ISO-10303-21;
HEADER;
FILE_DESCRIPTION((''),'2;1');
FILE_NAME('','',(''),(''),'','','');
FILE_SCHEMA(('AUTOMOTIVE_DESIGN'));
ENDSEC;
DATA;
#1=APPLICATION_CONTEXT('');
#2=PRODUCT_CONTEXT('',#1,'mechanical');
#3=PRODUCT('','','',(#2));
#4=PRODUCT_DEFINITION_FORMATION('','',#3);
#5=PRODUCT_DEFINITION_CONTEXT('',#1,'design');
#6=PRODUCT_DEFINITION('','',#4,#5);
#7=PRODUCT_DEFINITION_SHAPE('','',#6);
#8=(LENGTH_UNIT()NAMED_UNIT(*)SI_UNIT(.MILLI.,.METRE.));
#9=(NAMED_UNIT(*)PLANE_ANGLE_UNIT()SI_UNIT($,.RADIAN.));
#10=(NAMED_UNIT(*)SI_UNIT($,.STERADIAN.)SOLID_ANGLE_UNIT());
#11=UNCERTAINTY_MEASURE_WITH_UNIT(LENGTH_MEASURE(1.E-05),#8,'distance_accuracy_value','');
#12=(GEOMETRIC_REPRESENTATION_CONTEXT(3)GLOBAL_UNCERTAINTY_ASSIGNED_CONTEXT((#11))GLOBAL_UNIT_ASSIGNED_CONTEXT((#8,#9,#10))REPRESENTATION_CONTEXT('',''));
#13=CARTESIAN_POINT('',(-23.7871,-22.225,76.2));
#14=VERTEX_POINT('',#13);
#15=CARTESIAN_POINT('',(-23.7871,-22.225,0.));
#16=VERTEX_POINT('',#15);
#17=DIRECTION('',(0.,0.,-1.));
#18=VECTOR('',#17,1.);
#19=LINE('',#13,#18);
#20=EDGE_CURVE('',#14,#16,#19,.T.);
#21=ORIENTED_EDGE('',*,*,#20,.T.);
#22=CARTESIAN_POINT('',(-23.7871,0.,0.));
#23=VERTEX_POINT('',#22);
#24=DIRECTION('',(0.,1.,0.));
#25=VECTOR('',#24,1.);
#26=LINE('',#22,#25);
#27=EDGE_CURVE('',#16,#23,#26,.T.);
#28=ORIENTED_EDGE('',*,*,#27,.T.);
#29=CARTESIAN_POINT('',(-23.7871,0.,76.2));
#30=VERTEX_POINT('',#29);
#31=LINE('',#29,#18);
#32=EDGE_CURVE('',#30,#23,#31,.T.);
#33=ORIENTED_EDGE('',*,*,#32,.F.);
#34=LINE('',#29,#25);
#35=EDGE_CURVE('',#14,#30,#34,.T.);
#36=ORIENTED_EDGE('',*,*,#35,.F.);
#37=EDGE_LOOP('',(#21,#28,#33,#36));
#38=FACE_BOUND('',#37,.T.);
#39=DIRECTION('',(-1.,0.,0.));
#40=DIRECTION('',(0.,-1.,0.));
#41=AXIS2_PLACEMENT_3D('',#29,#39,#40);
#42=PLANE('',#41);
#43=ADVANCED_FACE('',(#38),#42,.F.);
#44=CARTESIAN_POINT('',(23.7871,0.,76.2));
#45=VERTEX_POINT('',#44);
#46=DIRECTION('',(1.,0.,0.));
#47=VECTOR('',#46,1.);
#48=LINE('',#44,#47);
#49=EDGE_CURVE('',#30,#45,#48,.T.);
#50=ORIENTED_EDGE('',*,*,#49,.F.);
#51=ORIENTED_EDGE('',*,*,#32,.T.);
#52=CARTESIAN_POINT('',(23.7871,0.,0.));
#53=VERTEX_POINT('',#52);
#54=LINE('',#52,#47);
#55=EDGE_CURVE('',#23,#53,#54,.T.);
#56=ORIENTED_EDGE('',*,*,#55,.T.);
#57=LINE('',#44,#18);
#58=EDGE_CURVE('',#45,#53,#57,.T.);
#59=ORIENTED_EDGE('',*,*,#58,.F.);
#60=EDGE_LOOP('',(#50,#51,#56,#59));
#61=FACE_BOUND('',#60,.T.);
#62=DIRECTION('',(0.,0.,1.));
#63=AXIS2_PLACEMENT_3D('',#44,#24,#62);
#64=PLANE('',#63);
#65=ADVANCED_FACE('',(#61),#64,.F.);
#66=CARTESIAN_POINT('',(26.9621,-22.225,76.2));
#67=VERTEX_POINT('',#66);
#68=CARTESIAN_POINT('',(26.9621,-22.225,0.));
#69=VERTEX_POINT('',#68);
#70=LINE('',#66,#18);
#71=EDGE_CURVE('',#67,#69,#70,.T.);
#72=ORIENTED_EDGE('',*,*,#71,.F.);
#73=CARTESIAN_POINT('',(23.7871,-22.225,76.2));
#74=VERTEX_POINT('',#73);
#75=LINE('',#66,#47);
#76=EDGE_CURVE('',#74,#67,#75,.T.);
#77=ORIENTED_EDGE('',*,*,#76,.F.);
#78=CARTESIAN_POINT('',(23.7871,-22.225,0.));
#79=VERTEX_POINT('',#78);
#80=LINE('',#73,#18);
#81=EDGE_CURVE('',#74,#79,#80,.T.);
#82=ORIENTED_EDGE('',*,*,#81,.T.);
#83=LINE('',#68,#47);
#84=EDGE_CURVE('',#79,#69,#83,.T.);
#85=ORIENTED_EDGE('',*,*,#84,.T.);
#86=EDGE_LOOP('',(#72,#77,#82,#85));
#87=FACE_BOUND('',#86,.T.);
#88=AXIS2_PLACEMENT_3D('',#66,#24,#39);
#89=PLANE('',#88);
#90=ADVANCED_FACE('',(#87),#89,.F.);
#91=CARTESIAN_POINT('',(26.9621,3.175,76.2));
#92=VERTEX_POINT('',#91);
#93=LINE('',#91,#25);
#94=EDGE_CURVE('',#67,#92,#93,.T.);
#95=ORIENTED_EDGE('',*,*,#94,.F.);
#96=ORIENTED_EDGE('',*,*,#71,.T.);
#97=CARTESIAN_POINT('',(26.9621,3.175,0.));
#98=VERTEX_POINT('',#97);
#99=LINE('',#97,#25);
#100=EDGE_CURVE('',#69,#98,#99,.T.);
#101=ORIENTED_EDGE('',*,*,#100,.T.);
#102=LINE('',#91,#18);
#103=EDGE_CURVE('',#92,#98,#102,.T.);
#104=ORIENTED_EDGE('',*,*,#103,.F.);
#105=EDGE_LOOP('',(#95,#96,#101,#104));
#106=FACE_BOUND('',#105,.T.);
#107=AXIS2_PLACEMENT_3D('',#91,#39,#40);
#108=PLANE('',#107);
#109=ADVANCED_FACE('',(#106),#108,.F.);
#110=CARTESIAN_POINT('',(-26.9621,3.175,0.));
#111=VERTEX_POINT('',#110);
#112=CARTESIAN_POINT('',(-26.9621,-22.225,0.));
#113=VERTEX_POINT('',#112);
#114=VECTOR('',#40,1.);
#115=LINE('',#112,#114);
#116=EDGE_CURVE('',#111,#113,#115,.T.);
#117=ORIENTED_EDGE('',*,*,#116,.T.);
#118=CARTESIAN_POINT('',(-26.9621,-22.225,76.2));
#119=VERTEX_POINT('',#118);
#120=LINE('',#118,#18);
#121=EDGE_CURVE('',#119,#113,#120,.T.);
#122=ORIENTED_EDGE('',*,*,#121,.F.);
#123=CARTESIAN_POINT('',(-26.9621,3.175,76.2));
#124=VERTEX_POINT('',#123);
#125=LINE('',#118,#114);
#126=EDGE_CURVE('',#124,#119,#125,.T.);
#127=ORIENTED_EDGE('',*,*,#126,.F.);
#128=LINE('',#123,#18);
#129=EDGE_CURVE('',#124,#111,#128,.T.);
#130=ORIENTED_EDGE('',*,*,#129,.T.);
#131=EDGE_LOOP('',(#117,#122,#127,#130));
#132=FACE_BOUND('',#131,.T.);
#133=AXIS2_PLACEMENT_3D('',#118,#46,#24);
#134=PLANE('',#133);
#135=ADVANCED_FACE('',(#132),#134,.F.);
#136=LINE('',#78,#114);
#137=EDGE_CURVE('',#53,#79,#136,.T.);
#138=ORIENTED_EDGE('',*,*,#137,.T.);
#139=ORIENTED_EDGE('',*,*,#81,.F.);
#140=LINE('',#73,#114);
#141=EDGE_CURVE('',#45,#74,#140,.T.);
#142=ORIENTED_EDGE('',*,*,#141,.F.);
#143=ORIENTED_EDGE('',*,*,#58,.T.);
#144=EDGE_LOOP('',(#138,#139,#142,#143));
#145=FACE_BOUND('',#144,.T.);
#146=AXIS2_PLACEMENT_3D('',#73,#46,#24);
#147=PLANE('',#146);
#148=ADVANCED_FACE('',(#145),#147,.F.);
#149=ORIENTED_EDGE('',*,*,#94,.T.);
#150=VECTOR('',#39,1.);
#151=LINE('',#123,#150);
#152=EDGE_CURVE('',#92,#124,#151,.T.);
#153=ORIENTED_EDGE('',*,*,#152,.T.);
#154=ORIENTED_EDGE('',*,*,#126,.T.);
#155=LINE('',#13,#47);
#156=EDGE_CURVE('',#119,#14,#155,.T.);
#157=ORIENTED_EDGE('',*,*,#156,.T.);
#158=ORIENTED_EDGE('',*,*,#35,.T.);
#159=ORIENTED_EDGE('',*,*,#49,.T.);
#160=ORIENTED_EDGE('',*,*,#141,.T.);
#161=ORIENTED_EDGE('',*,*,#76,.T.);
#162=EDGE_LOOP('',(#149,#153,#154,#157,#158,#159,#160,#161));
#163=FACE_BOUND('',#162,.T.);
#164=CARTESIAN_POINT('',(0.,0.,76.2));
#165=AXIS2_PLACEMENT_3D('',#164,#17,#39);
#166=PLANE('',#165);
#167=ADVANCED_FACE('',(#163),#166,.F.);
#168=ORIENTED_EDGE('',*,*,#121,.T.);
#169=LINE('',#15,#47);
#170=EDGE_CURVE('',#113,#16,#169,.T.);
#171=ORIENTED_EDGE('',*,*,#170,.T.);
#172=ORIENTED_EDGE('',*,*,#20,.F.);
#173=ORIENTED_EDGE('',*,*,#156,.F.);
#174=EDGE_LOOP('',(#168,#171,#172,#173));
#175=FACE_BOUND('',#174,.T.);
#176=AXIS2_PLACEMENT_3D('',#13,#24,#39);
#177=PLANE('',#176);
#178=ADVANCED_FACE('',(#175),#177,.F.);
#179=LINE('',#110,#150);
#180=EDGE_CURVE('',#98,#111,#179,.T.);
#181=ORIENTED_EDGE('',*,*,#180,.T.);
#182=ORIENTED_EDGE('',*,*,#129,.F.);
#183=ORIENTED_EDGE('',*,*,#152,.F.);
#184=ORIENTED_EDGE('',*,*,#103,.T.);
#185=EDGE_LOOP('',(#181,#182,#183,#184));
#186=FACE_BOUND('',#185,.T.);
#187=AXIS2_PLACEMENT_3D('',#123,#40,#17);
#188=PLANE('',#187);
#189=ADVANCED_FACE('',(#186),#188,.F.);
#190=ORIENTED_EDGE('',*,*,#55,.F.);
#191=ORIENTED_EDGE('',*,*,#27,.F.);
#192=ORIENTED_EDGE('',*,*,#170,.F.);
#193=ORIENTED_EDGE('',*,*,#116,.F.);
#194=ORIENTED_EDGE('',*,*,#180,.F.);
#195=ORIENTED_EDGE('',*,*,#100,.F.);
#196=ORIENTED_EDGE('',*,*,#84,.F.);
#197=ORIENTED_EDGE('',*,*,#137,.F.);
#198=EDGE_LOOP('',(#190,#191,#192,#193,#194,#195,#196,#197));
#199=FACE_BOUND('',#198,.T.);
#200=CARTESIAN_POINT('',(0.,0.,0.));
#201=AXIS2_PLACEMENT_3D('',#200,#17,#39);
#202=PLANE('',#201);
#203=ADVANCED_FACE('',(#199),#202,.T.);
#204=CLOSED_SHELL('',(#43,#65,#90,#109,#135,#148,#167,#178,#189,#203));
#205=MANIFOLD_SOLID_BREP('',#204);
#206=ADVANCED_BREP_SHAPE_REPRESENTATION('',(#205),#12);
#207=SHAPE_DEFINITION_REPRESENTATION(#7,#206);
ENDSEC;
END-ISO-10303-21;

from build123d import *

# Parameters (mm, degrees)
BOSS_EXTRUDE1_DEPTH = 76.2


with BuildPart() as part:
    # Sketch1 → Boss-Extrude1 (new body)
    with BuildSketch(Plane.XY):
        Polygon((-26.9621, -22.225), (-26.9621, 3.175), (26.9621, 3.175), (26.9621, -22.225), (23.7871, -22.225), (23.7871, 0), (-23.7871, 0), (-23.7871, -22.225), align=None)
    extrude(amount=BOSS_EXTRUDE1_DEPTH)


solid = part.part
